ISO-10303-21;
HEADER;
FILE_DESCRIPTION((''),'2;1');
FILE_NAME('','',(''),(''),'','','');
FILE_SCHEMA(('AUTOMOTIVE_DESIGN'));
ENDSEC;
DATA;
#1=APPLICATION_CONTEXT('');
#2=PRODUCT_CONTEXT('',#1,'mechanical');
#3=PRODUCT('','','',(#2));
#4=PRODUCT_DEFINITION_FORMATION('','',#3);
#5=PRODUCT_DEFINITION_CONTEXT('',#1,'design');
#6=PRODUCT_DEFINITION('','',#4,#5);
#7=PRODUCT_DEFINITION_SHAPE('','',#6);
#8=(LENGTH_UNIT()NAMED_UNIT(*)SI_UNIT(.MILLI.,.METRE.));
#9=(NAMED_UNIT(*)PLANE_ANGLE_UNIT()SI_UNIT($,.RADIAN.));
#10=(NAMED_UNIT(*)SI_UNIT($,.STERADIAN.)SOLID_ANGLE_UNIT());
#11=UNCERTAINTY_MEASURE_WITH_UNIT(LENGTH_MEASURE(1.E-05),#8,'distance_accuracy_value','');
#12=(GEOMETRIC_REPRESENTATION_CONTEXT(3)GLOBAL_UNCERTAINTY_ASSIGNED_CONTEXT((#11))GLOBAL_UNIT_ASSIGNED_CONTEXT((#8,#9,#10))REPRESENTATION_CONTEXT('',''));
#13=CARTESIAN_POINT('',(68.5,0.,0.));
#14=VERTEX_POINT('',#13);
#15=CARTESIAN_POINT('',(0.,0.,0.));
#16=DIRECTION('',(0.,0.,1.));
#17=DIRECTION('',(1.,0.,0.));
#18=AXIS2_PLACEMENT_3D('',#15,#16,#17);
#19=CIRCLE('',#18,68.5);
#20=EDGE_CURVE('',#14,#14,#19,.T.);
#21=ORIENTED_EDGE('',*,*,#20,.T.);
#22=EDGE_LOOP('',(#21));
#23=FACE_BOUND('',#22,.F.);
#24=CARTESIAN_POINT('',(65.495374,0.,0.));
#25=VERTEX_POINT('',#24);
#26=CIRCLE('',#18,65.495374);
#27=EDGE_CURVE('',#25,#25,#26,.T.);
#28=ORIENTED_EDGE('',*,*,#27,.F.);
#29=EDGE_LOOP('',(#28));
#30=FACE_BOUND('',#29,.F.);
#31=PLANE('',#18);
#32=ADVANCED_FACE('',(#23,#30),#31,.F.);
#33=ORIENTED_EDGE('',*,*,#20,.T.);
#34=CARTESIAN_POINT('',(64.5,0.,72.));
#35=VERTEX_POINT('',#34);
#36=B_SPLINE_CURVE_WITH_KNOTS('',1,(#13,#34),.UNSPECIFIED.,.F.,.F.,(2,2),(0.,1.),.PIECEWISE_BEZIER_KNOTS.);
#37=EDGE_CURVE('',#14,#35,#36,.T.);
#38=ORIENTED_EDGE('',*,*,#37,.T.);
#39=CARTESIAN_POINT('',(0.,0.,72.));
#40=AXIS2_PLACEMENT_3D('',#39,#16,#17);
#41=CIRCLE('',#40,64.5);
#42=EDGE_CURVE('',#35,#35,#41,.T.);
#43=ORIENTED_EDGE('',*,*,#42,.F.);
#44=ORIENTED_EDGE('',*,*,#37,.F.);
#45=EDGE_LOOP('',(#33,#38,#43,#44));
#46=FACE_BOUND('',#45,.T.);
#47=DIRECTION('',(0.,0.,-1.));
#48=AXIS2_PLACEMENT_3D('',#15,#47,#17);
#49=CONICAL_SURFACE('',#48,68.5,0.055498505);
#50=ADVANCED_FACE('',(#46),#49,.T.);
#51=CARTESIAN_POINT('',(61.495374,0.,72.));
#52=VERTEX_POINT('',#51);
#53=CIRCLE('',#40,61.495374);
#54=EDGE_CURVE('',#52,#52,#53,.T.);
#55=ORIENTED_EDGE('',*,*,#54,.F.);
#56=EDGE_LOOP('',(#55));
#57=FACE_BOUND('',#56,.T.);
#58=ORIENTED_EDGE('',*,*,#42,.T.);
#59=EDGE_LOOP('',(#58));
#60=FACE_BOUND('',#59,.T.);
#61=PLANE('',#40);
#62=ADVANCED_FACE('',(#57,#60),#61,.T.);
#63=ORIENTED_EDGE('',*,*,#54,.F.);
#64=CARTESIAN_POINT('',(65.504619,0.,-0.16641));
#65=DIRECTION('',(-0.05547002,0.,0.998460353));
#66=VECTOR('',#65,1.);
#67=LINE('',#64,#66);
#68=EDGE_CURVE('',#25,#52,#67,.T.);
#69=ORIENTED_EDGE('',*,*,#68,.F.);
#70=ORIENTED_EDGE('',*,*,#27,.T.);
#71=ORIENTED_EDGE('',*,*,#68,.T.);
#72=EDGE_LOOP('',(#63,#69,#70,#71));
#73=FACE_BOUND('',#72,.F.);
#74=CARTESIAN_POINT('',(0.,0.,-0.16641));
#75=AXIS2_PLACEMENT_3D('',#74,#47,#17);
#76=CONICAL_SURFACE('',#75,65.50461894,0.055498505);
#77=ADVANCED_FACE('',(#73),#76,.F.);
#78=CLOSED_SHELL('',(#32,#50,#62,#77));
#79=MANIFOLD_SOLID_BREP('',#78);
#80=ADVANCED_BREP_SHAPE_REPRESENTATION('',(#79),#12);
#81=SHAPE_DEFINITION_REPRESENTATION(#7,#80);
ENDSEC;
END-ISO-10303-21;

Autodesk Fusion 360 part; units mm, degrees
sketch "Sketch1" plane through (0, 0, 0) normal (0, 0, 1) x (1, 0, 0)
  circle A0 centre (0, 0) radius 68.5
  dimension "d1" = 137
ref_plane "WorkPlane1" through (0, 0, 72) normal (0, 0, 1) x (1, 0, 0)
sketch "Sketch2" plane through (0, 0, 72) normal (0, 0, 1) x (1, 0, 0)
  circle A0 centre (0, 0) radius 64.5
  dimension "d4" = 129
loft "Loft1" add profiles "Sketch1", "Sketch2" section 1 section 2
shell "Shell1" thickness 3 removed faces 2 at (31.7275, 12.1488, 72) at (16.738, 15.5306, 0)
